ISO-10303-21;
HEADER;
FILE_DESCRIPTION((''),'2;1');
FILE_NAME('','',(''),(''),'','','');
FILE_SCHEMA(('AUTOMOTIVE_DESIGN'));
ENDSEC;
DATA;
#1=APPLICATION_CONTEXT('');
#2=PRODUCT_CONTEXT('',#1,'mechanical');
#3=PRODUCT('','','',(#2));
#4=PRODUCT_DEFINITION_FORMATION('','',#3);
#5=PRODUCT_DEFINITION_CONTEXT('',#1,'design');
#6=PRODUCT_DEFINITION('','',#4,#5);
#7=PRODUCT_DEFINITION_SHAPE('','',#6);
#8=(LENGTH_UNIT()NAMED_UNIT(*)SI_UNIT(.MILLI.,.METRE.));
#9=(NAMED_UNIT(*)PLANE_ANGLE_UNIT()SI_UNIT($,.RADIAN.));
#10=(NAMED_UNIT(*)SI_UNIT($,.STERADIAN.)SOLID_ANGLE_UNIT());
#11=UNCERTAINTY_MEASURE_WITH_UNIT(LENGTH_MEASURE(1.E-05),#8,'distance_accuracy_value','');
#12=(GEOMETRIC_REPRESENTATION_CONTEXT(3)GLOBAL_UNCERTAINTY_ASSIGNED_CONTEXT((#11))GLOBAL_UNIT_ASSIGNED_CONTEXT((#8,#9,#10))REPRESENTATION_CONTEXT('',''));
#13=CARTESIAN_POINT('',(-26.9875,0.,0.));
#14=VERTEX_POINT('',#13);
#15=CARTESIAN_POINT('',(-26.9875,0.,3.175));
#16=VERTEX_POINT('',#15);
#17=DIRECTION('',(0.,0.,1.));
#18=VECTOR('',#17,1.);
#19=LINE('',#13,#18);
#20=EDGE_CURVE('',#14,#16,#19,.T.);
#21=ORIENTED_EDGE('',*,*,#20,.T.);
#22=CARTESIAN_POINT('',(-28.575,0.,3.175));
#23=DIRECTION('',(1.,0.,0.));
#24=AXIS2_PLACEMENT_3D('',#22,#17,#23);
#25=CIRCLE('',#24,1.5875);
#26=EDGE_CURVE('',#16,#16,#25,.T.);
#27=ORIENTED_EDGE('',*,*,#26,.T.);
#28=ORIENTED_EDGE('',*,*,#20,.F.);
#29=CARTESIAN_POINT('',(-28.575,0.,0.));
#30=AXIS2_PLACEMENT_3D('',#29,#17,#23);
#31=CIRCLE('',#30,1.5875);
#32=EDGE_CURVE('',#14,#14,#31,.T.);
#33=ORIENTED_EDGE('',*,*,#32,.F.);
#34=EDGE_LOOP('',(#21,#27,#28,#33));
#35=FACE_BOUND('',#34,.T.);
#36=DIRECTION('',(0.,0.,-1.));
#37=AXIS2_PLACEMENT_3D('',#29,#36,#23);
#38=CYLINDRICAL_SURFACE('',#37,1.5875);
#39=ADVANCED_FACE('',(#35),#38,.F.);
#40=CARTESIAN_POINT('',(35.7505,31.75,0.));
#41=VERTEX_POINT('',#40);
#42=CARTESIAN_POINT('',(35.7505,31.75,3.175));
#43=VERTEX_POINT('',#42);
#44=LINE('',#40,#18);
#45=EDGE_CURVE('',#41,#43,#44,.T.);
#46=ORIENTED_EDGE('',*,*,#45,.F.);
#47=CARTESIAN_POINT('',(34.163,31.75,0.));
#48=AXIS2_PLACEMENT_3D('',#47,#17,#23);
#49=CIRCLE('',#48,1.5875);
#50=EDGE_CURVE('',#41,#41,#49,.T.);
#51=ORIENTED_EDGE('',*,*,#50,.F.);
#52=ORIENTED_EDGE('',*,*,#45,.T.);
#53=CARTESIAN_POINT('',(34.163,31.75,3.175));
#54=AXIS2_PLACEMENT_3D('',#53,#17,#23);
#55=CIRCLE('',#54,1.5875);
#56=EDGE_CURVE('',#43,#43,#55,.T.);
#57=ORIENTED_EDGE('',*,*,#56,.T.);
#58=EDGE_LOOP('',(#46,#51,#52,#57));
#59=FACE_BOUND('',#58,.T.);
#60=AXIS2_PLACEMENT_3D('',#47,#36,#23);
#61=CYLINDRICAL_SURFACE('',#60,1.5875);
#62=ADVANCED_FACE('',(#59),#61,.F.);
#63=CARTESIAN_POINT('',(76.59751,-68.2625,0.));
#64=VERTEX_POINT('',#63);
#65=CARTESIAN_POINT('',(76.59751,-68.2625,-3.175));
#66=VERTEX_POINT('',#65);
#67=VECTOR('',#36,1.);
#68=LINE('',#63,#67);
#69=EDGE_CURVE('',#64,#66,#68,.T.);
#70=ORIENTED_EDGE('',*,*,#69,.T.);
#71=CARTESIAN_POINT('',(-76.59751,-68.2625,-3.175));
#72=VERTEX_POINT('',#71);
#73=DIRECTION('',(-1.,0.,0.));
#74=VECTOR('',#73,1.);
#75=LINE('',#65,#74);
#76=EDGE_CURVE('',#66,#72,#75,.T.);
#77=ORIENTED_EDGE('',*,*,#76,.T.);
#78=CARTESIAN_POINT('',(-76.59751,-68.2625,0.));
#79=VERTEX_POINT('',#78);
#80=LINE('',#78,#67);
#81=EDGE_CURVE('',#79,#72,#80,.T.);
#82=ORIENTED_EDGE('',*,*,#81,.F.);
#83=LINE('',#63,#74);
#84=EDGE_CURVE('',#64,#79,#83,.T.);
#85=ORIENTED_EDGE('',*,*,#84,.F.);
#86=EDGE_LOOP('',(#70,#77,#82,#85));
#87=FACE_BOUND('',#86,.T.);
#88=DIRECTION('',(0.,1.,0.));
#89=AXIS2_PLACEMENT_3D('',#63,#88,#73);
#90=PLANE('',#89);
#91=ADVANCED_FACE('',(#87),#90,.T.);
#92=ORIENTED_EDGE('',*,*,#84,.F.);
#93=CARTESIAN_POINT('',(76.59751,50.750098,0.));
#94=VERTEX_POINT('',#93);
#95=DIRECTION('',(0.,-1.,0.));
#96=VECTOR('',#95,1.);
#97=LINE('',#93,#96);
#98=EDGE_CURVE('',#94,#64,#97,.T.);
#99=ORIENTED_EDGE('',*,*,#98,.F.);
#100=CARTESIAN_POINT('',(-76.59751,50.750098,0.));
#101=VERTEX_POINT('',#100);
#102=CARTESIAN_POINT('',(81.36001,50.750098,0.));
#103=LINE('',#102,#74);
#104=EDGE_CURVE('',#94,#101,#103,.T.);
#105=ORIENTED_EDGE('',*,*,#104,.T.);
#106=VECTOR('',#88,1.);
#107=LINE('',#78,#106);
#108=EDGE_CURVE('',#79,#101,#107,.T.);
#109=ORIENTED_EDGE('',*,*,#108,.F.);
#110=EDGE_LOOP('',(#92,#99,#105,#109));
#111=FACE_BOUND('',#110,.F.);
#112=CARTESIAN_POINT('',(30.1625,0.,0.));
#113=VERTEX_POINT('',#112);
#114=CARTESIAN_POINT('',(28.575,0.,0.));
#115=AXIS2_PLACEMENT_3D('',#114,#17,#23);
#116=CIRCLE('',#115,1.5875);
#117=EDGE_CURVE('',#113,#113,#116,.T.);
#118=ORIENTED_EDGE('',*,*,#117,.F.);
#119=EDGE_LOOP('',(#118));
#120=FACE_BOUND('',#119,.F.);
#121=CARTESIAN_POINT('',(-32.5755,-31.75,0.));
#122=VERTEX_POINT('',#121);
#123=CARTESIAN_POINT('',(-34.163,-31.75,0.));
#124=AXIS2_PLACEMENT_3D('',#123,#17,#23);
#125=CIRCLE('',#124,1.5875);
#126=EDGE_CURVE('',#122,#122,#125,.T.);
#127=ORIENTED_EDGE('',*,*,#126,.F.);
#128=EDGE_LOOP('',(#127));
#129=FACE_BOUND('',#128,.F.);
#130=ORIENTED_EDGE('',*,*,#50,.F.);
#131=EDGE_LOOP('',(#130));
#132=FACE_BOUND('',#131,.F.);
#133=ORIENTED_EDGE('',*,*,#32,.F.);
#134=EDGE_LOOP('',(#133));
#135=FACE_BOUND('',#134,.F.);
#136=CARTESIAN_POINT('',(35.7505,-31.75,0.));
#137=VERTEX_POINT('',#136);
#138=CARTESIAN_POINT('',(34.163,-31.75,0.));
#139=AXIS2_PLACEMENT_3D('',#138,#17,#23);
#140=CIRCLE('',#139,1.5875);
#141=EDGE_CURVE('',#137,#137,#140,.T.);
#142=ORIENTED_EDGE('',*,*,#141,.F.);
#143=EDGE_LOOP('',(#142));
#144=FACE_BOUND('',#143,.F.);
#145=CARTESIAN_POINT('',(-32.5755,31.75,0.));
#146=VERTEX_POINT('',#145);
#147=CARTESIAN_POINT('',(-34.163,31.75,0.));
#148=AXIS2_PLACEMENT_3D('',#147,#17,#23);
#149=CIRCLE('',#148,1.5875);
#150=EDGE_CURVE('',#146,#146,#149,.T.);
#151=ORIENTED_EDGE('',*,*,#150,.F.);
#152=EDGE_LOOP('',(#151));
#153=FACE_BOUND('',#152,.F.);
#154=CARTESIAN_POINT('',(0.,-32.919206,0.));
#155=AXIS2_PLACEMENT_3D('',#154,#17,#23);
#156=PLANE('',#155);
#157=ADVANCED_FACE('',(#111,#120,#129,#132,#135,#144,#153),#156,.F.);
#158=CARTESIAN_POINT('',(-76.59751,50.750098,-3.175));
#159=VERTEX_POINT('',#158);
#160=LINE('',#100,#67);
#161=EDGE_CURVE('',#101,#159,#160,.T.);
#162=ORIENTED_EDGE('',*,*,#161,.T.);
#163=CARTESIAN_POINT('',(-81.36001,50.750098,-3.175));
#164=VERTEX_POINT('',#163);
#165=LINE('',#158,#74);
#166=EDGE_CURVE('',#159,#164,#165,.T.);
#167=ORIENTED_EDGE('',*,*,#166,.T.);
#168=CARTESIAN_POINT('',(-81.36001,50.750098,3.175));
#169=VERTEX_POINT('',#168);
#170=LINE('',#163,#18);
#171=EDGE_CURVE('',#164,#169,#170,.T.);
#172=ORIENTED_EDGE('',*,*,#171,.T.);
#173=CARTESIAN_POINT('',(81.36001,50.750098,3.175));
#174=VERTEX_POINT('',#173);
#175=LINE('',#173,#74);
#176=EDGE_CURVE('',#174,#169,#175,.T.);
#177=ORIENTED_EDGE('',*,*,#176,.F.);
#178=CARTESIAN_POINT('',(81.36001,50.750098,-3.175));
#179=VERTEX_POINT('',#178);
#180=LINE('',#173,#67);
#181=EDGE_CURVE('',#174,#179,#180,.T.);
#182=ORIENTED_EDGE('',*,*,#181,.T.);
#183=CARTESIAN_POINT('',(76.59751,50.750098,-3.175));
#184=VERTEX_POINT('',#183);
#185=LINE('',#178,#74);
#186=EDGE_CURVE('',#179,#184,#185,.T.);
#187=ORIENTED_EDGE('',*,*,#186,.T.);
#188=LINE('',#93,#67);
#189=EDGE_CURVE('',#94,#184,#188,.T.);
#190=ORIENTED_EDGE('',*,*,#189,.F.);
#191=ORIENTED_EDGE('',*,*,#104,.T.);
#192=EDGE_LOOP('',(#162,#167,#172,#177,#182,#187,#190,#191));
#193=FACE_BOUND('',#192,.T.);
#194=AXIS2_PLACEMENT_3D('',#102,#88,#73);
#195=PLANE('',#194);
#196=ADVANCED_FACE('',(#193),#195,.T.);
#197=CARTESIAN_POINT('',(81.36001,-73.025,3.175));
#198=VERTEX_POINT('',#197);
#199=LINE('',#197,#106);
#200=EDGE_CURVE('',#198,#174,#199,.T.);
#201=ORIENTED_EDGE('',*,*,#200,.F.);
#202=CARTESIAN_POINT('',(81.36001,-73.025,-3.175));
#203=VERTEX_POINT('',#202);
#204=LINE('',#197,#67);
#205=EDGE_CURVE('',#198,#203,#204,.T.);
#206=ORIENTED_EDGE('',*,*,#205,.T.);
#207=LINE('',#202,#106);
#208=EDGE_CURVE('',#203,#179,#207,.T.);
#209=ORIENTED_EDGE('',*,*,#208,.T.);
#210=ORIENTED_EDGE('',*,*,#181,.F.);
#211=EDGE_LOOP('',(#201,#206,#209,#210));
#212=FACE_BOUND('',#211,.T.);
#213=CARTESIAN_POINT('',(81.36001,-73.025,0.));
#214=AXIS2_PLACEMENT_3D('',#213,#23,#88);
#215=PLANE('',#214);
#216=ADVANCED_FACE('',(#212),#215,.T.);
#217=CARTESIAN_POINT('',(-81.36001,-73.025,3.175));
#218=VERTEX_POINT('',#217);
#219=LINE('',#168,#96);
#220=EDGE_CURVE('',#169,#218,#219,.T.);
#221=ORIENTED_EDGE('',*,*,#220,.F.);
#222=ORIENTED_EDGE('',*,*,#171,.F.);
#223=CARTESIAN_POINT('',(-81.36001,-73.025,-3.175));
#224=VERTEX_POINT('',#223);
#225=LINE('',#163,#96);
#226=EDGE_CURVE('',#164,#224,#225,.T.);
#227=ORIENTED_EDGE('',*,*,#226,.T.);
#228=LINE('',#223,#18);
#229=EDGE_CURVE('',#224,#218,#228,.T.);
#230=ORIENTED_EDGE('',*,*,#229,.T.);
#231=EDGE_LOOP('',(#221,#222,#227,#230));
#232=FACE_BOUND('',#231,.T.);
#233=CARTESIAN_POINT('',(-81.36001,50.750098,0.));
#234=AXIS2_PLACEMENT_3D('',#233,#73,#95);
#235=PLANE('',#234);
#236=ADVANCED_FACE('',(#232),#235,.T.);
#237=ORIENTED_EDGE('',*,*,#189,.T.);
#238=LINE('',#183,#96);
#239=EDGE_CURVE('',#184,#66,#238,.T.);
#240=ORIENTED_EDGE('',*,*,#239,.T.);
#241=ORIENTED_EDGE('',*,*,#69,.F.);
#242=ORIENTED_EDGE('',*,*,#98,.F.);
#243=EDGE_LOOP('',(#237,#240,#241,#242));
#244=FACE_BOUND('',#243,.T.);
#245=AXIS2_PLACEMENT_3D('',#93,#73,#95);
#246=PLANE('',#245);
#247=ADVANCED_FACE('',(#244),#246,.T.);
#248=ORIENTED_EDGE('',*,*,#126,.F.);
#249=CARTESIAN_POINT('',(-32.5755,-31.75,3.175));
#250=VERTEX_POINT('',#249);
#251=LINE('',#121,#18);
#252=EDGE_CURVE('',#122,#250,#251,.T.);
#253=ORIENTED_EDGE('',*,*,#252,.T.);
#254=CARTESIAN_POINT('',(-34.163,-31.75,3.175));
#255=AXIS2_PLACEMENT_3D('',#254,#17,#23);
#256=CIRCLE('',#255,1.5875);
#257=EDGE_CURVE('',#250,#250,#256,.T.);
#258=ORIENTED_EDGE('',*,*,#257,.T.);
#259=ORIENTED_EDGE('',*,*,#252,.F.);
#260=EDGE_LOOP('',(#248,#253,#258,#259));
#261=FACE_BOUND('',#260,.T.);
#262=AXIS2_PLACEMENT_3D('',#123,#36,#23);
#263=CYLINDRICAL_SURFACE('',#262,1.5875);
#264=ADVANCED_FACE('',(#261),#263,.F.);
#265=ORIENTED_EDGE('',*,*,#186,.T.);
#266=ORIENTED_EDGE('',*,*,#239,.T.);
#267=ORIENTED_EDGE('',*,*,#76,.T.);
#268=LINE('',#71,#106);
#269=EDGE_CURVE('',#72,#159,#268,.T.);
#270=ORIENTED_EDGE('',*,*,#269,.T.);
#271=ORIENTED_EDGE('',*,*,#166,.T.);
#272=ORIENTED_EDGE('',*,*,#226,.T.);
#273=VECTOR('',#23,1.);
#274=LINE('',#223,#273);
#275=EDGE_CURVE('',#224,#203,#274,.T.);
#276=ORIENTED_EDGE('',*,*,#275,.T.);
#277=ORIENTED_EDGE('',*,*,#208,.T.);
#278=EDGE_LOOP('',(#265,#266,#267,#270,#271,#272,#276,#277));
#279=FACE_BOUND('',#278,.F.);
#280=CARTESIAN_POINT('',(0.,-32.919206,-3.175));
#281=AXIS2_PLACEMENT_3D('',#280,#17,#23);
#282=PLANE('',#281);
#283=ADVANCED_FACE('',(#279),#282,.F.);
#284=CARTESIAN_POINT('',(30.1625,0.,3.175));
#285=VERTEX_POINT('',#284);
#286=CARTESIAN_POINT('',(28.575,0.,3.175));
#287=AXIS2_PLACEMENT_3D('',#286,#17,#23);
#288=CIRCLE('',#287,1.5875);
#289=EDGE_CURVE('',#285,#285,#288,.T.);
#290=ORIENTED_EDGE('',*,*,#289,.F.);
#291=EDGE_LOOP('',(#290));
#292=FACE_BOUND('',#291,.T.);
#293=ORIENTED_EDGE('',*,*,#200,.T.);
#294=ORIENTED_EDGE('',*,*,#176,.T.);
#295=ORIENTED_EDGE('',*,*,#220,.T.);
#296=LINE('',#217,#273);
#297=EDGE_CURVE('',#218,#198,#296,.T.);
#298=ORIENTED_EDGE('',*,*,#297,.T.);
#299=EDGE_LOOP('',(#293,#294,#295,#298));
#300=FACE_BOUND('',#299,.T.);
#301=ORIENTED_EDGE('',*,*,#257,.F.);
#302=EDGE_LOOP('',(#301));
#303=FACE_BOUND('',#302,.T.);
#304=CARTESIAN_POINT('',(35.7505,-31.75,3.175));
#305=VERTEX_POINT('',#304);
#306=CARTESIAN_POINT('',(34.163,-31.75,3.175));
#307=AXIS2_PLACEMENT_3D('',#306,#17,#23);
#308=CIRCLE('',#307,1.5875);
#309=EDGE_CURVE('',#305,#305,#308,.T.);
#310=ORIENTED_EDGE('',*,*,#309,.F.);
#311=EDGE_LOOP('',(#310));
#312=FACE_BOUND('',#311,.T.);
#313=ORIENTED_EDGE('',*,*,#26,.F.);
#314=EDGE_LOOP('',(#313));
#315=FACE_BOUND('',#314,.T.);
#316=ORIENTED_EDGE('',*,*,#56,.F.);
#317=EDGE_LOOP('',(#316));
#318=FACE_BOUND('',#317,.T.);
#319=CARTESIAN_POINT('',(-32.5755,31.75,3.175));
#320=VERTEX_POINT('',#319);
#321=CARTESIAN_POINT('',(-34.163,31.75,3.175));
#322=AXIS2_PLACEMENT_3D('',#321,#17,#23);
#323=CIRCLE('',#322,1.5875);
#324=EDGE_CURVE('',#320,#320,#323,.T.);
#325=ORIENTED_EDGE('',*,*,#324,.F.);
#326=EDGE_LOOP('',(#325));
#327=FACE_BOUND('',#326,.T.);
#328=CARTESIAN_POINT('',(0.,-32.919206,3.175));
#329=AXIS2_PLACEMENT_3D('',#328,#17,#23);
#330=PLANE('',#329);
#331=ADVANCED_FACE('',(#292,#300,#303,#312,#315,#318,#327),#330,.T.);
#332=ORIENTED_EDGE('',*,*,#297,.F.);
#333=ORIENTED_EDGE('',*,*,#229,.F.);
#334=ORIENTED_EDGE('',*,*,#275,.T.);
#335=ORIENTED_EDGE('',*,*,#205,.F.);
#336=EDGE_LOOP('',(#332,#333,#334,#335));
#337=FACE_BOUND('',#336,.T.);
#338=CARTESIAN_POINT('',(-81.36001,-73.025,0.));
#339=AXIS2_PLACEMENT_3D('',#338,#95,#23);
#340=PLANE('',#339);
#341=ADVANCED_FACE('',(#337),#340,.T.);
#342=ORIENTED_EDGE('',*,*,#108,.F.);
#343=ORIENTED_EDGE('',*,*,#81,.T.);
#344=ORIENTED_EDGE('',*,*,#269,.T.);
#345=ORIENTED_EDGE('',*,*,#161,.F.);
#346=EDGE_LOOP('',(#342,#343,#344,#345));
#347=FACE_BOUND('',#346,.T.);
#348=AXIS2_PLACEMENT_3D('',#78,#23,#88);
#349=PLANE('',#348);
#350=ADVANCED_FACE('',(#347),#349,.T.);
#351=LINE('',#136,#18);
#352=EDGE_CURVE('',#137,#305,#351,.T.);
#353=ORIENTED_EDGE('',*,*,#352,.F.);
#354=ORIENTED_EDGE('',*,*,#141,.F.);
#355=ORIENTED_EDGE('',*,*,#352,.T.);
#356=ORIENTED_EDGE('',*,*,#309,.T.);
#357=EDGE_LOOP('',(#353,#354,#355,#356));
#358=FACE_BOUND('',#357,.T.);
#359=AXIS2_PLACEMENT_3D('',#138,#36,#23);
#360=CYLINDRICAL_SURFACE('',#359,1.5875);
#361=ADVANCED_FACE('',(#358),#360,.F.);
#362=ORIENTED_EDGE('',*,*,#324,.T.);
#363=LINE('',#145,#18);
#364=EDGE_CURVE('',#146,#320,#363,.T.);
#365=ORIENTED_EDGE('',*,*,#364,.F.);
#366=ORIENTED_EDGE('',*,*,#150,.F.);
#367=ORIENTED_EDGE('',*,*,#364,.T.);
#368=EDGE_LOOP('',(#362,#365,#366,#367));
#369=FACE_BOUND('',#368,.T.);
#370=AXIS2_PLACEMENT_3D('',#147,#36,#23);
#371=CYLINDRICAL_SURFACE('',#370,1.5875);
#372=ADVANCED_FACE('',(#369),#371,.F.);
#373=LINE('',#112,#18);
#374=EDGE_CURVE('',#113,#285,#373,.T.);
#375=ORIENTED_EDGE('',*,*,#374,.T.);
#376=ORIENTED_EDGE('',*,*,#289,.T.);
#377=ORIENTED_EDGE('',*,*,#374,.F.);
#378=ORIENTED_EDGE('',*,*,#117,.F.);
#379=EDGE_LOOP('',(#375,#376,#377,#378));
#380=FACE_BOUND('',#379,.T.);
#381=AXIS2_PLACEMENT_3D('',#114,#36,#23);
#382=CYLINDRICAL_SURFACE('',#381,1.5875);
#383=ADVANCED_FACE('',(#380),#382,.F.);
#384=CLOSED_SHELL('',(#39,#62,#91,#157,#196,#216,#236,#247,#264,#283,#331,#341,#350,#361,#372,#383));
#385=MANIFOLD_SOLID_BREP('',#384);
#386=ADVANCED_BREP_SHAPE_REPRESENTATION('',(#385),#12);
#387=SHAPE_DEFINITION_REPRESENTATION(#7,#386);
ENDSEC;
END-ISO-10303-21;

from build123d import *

# Parameters (mm, degrees)
F0_W     = 153.19502
F0_H     = 119.012598
F0_R     = 1.5875
F1_DEPTH = 3.175
F2_DEPTH = 3.175


with BuildPart() as f1:
    # F0 (on Top) → F1 (new body)
    with BuildSketch(Plane.XY):
        Polygon((76.59751, 50.750098), (76.59751, -68.2625), (-76.59751, -68.2625), (-76.59751, 50.750098), (-81.36001, 50.750098), (-81.36001, -73.025), (81.36001, -73.025), (81.36001, 50.750098), align=None)
        with Locations((0, -8.756201)):
            Rectangle(F0_W, F0_H)
        with Locations((-34.163, -31.75)):
            Circle(F0_R, mode=Mode.SUBTRACT)
        with Locations((34.163, -31.75)):
            Circle(F0_R, mode=Mode.SUBTRACT)
        with Locations((-28.575, 0)):
            Circle(F0_R, mode=Mode.SUBTRACT)
        with Locations((-34.163, 31.75)):
            Circle(F0_R, mode=Mode.SUBTRACT)
        with Locations((28.575, 0)):
            Circle(F0_R, mode=Mode.SUBTRACT)
        with Locations((34.163, 31.75)):
            Circle(F0_R, mode=Mode.SUBTRACT)
    extrude(amount=F1_DEPTH)

    # F0 (on Top) → F2 (join)
    with BuildSketch(Plane.XY):
        Polygon((76.59751, 50.750098), (76.59751, -68.2625), (-76.59751, -68.2625), (-76.59751, 50.750098), (-81.36001, 50.750098), (-81.36001, -73.025), (81.36001, -73.025), (81.36001, 50.750098), align=None)
    extrude(amount=-F2_DEPTH)


solid = f1.part
